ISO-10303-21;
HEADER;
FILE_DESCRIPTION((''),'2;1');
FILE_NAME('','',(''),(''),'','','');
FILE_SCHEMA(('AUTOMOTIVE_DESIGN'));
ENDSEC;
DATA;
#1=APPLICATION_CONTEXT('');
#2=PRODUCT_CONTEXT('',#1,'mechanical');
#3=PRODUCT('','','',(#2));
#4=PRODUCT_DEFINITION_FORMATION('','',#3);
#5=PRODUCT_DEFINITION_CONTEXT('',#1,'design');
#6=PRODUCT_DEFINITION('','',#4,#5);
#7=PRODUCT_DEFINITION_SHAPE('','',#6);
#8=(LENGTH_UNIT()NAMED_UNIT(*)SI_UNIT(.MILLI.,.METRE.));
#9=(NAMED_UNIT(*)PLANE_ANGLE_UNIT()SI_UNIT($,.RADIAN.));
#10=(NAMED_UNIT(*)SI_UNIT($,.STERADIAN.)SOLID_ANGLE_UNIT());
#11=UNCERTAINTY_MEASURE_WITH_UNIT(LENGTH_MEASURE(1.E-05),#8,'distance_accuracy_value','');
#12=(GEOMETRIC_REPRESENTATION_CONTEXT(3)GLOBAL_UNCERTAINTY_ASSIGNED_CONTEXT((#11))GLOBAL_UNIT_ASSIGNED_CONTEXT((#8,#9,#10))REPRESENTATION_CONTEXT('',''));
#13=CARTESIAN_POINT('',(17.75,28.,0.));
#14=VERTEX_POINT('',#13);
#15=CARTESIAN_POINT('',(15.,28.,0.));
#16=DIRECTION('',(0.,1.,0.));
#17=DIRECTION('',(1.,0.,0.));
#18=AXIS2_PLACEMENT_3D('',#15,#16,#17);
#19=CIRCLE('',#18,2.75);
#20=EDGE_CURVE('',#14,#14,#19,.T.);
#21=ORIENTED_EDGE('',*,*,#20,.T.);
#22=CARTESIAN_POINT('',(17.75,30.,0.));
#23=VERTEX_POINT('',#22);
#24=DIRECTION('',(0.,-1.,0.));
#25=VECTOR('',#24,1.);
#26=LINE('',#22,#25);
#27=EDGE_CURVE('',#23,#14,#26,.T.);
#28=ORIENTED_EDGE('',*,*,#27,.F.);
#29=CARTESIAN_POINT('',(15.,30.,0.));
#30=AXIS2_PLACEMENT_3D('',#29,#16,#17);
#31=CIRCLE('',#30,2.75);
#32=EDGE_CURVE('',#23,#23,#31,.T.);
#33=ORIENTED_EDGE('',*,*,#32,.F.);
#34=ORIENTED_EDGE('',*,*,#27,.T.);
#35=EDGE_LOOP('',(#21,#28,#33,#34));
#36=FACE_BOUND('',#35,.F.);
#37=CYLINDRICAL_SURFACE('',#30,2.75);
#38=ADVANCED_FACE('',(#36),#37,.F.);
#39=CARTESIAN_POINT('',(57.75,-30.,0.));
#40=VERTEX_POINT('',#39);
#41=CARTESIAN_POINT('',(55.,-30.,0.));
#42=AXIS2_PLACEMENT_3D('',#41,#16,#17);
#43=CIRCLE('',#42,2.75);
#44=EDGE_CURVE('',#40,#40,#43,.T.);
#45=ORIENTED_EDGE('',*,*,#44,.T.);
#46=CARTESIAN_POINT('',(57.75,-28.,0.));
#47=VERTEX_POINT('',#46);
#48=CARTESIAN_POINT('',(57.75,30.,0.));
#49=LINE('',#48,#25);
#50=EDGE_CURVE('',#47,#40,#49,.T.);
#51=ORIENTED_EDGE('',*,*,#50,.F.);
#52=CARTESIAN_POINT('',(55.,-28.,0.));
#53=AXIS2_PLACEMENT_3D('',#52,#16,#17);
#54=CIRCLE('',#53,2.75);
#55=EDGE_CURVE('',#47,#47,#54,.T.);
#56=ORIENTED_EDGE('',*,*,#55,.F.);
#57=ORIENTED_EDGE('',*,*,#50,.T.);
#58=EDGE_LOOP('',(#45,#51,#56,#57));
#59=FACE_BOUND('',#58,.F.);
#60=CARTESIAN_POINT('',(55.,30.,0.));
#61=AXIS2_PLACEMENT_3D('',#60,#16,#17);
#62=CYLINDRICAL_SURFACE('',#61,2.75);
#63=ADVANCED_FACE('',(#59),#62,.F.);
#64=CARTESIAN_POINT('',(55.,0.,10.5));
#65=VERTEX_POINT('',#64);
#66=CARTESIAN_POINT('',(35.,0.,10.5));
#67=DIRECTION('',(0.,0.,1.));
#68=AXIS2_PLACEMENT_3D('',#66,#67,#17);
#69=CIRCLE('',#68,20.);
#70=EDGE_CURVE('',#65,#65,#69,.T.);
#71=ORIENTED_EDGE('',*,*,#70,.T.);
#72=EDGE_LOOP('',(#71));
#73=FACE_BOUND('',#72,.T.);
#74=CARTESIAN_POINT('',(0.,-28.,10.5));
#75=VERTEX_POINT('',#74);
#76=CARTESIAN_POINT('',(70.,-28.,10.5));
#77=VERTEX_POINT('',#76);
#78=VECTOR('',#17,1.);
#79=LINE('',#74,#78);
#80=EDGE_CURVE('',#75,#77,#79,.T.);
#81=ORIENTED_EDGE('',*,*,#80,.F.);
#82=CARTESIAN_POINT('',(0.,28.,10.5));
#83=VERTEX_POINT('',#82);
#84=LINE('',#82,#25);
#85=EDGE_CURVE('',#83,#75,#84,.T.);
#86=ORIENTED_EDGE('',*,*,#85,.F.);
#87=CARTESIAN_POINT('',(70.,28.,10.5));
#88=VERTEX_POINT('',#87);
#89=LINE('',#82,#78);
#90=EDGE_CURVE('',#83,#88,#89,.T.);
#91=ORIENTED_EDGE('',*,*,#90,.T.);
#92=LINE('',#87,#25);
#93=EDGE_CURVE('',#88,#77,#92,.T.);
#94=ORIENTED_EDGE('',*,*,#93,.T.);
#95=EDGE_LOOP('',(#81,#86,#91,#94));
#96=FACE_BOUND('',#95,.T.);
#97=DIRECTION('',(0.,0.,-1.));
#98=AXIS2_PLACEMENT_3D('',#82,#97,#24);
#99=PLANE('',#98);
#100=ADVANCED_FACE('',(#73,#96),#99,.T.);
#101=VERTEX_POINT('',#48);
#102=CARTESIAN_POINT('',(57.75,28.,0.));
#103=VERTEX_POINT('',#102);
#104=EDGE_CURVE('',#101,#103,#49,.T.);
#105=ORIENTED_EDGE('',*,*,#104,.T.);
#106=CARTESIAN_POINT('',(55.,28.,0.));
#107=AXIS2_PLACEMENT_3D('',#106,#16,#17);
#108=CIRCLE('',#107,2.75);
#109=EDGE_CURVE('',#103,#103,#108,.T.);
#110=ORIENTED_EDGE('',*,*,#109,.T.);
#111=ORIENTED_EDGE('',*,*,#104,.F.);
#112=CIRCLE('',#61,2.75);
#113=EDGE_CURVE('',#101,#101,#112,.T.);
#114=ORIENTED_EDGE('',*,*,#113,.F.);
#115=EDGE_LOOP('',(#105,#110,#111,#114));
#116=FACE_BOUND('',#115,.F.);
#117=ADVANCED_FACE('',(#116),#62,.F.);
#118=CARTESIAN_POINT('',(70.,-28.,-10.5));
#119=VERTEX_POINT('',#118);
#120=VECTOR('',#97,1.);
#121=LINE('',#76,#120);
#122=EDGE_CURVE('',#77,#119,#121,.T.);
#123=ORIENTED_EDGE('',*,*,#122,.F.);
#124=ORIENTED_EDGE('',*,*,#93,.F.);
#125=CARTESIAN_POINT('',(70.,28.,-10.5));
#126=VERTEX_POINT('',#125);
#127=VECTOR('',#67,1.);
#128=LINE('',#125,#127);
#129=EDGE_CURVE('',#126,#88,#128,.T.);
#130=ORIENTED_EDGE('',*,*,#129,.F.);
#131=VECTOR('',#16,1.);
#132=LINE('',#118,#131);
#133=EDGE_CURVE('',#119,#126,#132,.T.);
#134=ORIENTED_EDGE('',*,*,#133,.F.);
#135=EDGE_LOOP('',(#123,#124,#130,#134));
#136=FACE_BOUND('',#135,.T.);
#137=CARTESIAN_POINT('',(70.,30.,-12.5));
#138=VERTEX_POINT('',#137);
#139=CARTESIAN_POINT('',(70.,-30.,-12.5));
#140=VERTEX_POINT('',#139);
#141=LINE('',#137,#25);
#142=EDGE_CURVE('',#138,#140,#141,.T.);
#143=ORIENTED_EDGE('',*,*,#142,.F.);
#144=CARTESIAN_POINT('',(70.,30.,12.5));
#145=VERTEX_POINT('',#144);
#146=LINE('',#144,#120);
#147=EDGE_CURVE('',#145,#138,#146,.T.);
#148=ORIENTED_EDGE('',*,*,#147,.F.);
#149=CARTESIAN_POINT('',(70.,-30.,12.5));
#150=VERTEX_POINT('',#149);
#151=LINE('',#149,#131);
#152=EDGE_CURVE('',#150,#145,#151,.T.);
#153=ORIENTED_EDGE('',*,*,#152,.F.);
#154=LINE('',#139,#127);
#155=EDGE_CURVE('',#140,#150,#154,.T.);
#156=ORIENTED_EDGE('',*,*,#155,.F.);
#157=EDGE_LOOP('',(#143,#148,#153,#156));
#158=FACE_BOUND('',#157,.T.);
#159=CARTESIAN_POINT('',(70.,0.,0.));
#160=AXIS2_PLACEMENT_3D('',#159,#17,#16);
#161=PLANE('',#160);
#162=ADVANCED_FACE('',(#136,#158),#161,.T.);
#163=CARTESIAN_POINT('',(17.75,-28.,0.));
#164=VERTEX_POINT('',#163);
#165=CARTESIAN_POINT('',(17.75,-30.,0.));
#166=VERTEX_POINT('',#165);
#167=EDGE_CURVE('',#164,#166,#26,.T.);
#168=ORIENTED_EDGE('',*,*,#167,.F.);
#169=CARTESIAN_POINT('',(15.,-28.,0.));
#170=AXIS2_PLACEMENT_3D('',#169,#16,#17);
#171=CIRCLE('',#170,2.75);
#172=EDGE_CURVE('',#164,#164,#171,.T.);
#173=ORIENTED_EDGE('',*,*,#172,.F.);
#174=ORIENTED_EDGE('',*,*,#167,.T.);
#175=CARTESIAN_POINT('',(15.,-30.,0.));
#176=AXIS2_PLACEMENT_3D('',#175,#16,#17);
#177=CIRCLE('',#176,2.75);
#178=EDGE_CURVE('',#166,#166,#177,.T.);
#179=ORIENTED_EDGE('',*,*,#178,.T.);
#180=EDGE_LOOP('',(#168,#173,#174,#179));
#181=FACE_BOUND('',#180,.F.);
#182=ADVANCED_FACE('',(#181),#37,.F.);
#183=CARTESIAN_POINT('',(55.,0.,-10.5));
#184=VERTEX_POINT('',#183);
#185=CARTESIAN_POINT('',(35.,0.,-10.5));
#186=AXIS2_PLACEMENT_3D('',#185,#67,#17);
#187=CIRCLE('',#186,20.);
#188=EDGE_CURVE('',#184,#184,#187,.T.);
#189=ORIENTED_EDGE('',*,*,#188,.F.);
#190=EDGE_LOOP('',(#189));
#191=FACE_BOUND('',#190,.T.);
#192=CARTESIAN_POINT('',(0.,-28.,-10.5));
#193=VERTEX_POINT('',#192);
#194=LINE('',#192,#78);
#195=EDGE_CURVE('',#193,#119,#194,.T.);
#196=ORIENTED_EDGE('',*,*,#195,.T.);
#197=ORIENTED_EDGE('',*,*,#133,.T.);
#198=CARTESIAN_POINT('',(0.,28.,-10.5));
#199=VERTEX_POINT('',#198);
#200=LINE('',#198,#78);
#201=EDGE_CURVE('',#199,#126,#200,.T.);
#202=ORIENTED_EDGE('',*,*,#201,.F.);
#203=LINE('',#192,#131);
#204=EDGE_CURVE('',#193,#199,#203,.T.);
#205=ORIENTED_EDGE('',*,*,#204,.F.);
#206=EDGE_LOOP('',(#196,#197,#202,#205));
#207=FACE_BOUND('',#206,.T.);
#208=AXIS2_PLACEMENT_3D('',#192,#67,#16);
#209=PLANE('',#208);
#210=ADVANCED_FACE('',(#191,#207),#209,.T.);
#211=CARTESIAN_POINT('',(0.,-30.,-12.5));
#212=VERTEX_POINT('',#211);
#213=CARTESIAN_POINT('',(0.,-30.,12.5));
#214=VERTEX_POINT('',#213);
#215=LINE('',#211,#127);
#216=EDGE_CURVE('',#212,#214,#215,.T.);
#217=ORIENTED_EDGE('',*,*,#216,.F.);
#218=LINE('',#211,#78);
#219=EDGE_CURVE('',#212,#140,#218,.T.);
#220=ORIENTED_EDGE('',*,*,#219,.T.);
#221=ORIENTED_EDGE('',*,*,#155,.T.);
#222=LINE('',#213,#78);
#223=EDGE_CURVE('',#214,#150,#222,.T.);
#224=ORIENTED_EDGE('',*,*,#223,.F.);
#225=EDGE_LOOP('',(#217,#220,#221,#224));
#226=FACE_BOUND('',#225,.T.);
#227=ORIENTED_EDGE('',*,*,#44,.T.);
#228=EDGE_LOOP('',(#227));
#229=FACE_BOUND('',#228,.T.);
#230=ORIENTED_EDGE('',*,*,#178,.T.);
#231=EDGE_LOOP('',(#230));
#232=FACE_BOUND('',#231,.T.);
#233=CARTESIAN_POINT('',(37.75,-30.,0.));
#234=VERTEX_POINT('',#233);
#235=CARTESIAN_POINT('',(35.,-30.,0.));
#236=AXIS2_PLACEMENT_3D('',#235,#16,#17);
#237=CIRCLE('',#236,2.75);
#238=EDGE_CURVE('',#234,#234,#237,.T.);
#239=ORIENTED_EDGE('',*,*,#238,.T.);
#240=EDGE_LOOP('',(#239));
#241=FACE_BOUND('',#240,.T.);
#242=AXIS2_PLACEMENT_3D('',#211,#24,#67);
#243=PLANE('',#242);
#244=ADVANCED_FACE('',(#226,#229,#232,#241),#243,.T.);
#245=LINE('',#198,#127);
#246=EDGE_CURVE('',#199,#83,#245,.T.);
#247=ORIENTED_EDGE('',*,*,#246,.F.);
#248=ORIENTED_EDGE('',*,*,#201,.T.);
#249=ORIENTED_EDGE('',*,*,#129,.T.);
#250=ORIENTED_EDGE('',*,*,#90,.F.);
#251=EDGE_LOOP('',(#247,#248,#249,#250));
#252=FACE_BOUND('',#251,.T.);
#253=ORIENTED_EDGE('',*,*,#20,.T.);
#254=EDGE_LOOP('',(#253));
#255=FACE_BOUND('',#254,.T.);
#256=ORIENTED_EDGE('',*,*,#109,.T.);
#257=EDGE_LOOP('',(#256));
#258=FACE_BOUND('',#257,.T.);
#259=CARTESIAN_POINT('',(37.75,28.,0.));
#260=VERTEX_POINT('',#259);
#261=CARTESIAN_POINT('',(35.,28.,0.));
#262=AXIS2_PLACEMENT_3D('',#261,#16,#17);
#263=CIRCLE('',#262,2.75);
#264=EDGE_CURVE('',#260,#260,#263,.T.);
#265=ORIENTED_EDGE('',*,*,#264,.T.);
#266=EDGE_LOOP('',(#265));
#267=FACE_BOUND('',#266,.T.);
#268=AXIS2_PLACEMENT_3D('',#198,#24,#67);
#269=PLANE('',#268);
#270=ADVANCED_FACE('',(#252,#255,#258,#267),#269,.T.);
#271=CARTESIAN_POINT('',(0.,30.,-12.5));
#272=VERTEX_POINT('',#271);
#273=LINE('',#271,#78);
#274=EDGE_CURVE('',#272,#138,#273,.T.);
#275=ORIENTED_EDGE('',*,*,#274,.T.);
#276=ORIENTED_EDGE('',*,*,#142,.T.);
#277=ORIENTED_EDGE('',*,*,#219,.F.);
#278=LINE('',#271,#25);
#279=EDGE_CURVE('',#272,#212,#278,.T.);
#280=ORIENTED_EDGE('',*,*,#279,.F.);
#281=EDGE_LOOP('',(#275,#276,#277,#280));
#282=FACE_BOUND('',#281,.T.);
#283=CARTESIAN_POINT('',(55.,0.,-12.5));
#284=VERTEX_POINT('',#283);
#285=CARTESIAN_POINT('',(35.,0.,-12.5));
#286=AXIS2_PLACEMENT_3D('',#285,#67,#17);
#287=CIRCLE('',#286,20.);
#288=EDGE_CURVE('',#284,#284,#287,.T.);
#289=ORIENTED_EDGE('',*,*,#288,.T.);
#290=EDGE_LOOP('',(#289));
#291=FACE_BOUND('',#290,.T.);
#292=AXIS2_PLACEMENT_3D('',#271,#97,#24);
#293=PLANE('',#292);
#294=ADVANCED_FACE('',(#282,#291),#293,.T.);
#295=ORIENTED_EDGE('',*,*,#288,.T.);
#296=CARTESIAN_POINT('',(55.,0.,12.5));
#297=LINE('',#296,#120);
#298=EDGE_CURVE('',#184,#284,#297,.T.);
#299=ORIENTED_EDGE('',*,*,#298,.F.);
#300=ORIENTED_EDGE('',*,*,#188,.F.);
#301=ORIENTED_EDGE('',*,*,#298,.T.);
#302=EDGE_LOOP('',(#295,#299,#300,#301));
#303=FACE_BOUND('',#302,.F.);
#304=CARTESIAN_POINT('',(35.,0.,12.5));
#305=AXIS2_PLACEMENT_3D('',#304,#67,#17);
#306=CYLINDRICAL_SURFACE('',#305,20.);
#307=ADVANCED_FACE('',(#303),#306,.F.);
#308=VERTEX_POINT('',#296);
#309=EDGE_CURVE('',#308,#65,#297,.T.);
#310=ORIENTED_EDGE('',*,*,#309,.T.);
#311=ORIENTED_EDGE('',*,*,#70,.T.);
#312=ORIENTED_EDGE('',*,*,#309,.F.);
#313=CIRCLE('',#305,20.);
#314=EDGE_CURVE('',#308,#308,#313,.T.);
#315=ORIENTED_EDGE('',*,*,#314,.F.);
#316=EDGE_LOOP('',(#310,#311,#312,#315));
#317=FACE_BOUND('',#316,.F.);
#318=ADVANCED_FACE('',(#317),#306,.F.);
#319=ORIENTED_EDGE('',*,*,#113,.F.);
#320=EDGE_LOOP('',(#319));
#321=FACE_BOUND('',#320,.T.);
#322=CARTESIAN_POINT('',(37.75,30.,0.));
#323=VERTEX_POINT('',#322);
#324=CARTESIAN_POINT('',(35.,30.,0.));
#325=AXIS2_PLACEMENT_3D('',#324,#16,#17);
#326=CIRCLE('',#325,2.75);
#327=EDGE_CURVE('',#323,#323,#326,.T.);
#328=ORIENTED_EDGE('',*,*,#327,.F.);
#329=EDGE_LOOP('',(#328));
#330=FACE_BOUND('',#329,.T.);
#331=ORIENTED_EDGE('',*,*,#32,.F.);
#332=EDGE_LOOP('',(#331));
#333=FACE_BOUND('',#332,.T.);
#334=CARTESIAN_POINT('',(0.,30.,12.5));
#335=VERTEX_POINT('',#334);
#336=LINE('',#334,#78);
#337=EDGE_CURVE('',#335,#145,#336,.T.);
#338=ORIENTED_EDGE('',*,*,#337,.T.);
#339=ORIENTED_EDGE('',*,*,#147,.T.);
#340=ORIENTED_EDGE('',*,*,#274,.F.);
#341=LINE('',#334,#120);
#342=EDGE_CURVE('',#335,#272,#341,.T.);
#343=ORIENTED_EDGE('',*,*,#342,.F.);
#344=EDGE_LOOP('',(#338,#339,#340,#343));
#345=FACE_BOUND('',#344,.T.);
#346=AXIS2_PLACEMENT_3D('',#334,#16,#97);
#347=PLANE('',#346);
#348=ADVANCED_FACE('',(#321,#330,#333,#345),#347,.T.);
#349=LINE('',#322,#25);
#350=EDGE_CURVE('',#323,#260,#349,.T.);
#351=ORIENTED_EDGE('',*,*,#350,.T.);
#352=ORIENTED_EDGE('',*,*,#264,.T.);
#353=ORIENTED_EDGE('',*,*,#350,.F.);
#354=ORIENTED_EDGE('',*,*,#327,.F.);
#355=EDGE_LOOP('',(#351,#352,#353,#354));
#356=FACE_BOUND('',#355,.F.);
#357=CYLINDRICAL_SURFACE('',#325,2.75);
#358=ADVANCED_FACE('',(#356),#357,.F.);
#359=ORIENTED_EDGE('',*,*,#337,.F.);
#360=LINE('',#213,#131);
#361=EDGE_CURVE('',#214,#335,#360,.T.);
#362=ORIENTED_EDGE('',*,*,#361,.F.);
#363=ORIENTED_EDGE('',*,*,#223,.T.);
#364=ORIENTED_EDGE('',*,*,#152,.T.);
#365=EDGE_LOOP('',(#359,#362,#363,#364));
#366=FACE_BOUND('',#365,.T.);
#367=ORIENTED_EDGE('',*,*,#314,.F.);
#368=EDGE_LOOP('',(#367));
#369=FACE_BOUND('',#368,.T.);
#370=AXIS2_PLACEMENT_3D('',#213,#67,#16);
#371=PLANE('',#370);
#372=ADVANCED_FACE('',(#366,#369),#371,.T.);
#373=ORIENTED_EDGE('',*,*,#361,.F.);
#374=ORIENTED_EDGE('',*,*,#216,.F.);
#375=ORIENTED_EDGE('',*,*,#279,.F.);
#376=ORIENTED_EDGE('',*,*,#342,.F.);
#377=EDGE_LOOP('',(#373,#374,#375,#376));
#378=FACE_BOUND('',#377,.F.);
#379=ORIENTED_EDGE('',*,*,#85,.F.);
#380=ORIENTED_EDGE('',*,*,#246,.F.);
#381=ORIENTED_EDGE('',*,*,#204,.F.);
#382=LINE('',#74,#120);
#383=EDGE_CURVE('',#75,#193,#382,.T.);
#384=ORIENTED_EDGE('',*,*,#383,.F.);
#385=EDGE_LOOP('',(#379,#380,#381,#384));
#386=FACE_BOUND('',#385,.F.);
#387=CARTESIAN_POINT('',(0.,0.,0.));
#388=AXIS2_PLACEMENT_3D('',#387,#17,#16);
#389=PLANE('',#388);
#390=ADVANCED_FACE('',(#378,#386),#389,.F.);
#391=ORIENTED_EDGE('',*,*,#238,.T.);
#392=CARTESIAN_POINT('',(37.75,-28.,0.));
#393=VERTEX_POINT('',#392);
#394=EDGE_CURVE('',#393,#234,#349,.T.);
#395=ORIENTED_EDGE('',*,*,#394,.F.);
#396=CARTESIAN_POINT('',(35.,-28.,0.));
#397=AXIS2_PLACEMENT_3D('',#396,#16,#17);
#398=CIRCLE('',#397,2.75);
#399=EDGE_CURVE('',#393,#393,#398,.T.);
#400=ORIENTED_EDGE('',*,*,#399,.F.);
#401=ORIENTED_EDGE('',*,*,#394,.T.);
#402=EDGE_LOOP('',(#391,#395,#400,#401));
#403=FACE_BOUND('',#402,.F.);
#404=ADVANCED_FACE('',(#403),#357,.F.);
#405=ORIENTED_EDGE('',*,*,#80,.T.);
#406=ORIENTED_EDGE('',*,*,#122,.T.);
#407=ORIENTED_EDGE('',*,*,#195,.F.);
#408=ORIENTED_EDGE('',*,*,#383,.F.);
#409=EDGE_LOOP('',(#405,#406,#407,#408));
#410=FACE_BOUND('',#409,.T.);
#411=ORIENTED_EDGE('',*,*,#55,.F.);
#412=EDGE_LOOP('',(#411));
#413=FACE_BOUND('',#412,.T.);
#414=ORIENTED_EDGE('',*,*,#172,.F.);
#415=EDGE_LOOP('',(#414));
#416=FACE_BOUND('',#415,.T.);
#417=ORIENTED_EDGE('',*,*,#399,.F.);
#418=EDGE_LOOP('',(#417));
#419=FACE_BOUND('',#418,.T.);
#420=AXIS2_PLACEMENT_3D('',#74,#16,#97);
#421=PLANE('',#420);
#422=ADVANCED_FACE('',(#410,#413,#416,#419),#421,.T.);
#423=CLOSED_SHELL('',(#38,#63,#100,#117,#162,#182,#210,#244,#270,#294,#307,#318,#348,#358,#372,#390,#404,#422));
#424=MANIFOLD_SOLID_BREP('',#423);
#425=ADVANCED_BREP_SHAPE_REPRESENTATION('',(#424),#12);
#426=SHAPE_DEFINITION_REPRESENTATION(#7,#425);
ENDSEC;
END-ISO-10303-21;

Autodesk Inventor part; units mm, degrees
ref_plane "YZ Plane" through (0, 0, 0) normal (1, 0, 0) x (0, 1, 0)
ref_plane "XZ Plane" through (0, 0, 0) normal (0, 1, 0) x (-1, 0, 0)
ref_plane "XY Plane" through (0, 0, 0) normal (0, 0, 1) x (1, 0, 0)
sketch "Sketch1" plane through (0, 0, 0) normal (1, 0, 0) x (0, 1, 0)
  line L0 (-30, 12.5) -> (30, 12.5)
  line L1 (30, 12.5) -> (30, -12.5)
  line L2 (30, -12.5) -> (-30, -12.5)
  line L3 (-30, -12.5) -> (-30, 12.5)
  line L4 (-30, 12.5) -> (30, -12.5) construction
  line L5 (30, 12.5) -> (-30, -12.5) construction
  line L6 (28, -10.5) -> (28, 10.5)
  line L7 (28, 10.5) -> (-28, 10.5)
  line L8 (-28, 10.5) -> (-28, -10.5)
  line L9 (-28, -10.5) -> (28, -10.5)
  point P0 (0, 0)
  dimension "d0" = 60
  dimension "d1" = 25
  dimension "d2" = 2
extrude "Extrusion1" add sketch "Sketch1" along normal blind 70
sketch "Sketch2" plane through (0, 30, 12.5) normal (0, 1, 0) x (1, 0, 0)
  circle A0 centre (15, 12.5) radius 2.75
  circle A1 centre (35, 12.5) radius 2.75
  circle A2 centre (55, 12.5) radius 2.75
  line L0 (0, 0) -> (0, 25) projected
  line L1 (15, 12.5) -> (55, 12.5) construction
  point P0 (0, 12.5)
  point P1 (0, 12.5)
  dimension "d5" = 5.5
  dimension "d6" = 5.5
  dimension "d7" = 5.5
  dimension "d8" = 20
  dimension "d9" = 20
  dimension "d10" = 15
  dimension "d11" = 40
extrude "Extrusion2" cut sketch "Sketch2" against normal through all
sketch "Sketch3" plane through (0, -30, 12.5) normal (0, 0, 1) x (1, 0, 0)
  circle A0 centre (35, 30) radius 20
  line L0 (70, 60) -> (70, 0) projected
  line L1 (0, 0) -> (70, 0) projected
  point P0 (0, 30)
  dimension "d14" = 40
  dimension "d15" = 35
  dimension "d16" = 30
extrude "Extrusion3" cut sketch "Sketch3" against normal blind 30
properties part number "Bumper Support" material "Aluminum 6061"
